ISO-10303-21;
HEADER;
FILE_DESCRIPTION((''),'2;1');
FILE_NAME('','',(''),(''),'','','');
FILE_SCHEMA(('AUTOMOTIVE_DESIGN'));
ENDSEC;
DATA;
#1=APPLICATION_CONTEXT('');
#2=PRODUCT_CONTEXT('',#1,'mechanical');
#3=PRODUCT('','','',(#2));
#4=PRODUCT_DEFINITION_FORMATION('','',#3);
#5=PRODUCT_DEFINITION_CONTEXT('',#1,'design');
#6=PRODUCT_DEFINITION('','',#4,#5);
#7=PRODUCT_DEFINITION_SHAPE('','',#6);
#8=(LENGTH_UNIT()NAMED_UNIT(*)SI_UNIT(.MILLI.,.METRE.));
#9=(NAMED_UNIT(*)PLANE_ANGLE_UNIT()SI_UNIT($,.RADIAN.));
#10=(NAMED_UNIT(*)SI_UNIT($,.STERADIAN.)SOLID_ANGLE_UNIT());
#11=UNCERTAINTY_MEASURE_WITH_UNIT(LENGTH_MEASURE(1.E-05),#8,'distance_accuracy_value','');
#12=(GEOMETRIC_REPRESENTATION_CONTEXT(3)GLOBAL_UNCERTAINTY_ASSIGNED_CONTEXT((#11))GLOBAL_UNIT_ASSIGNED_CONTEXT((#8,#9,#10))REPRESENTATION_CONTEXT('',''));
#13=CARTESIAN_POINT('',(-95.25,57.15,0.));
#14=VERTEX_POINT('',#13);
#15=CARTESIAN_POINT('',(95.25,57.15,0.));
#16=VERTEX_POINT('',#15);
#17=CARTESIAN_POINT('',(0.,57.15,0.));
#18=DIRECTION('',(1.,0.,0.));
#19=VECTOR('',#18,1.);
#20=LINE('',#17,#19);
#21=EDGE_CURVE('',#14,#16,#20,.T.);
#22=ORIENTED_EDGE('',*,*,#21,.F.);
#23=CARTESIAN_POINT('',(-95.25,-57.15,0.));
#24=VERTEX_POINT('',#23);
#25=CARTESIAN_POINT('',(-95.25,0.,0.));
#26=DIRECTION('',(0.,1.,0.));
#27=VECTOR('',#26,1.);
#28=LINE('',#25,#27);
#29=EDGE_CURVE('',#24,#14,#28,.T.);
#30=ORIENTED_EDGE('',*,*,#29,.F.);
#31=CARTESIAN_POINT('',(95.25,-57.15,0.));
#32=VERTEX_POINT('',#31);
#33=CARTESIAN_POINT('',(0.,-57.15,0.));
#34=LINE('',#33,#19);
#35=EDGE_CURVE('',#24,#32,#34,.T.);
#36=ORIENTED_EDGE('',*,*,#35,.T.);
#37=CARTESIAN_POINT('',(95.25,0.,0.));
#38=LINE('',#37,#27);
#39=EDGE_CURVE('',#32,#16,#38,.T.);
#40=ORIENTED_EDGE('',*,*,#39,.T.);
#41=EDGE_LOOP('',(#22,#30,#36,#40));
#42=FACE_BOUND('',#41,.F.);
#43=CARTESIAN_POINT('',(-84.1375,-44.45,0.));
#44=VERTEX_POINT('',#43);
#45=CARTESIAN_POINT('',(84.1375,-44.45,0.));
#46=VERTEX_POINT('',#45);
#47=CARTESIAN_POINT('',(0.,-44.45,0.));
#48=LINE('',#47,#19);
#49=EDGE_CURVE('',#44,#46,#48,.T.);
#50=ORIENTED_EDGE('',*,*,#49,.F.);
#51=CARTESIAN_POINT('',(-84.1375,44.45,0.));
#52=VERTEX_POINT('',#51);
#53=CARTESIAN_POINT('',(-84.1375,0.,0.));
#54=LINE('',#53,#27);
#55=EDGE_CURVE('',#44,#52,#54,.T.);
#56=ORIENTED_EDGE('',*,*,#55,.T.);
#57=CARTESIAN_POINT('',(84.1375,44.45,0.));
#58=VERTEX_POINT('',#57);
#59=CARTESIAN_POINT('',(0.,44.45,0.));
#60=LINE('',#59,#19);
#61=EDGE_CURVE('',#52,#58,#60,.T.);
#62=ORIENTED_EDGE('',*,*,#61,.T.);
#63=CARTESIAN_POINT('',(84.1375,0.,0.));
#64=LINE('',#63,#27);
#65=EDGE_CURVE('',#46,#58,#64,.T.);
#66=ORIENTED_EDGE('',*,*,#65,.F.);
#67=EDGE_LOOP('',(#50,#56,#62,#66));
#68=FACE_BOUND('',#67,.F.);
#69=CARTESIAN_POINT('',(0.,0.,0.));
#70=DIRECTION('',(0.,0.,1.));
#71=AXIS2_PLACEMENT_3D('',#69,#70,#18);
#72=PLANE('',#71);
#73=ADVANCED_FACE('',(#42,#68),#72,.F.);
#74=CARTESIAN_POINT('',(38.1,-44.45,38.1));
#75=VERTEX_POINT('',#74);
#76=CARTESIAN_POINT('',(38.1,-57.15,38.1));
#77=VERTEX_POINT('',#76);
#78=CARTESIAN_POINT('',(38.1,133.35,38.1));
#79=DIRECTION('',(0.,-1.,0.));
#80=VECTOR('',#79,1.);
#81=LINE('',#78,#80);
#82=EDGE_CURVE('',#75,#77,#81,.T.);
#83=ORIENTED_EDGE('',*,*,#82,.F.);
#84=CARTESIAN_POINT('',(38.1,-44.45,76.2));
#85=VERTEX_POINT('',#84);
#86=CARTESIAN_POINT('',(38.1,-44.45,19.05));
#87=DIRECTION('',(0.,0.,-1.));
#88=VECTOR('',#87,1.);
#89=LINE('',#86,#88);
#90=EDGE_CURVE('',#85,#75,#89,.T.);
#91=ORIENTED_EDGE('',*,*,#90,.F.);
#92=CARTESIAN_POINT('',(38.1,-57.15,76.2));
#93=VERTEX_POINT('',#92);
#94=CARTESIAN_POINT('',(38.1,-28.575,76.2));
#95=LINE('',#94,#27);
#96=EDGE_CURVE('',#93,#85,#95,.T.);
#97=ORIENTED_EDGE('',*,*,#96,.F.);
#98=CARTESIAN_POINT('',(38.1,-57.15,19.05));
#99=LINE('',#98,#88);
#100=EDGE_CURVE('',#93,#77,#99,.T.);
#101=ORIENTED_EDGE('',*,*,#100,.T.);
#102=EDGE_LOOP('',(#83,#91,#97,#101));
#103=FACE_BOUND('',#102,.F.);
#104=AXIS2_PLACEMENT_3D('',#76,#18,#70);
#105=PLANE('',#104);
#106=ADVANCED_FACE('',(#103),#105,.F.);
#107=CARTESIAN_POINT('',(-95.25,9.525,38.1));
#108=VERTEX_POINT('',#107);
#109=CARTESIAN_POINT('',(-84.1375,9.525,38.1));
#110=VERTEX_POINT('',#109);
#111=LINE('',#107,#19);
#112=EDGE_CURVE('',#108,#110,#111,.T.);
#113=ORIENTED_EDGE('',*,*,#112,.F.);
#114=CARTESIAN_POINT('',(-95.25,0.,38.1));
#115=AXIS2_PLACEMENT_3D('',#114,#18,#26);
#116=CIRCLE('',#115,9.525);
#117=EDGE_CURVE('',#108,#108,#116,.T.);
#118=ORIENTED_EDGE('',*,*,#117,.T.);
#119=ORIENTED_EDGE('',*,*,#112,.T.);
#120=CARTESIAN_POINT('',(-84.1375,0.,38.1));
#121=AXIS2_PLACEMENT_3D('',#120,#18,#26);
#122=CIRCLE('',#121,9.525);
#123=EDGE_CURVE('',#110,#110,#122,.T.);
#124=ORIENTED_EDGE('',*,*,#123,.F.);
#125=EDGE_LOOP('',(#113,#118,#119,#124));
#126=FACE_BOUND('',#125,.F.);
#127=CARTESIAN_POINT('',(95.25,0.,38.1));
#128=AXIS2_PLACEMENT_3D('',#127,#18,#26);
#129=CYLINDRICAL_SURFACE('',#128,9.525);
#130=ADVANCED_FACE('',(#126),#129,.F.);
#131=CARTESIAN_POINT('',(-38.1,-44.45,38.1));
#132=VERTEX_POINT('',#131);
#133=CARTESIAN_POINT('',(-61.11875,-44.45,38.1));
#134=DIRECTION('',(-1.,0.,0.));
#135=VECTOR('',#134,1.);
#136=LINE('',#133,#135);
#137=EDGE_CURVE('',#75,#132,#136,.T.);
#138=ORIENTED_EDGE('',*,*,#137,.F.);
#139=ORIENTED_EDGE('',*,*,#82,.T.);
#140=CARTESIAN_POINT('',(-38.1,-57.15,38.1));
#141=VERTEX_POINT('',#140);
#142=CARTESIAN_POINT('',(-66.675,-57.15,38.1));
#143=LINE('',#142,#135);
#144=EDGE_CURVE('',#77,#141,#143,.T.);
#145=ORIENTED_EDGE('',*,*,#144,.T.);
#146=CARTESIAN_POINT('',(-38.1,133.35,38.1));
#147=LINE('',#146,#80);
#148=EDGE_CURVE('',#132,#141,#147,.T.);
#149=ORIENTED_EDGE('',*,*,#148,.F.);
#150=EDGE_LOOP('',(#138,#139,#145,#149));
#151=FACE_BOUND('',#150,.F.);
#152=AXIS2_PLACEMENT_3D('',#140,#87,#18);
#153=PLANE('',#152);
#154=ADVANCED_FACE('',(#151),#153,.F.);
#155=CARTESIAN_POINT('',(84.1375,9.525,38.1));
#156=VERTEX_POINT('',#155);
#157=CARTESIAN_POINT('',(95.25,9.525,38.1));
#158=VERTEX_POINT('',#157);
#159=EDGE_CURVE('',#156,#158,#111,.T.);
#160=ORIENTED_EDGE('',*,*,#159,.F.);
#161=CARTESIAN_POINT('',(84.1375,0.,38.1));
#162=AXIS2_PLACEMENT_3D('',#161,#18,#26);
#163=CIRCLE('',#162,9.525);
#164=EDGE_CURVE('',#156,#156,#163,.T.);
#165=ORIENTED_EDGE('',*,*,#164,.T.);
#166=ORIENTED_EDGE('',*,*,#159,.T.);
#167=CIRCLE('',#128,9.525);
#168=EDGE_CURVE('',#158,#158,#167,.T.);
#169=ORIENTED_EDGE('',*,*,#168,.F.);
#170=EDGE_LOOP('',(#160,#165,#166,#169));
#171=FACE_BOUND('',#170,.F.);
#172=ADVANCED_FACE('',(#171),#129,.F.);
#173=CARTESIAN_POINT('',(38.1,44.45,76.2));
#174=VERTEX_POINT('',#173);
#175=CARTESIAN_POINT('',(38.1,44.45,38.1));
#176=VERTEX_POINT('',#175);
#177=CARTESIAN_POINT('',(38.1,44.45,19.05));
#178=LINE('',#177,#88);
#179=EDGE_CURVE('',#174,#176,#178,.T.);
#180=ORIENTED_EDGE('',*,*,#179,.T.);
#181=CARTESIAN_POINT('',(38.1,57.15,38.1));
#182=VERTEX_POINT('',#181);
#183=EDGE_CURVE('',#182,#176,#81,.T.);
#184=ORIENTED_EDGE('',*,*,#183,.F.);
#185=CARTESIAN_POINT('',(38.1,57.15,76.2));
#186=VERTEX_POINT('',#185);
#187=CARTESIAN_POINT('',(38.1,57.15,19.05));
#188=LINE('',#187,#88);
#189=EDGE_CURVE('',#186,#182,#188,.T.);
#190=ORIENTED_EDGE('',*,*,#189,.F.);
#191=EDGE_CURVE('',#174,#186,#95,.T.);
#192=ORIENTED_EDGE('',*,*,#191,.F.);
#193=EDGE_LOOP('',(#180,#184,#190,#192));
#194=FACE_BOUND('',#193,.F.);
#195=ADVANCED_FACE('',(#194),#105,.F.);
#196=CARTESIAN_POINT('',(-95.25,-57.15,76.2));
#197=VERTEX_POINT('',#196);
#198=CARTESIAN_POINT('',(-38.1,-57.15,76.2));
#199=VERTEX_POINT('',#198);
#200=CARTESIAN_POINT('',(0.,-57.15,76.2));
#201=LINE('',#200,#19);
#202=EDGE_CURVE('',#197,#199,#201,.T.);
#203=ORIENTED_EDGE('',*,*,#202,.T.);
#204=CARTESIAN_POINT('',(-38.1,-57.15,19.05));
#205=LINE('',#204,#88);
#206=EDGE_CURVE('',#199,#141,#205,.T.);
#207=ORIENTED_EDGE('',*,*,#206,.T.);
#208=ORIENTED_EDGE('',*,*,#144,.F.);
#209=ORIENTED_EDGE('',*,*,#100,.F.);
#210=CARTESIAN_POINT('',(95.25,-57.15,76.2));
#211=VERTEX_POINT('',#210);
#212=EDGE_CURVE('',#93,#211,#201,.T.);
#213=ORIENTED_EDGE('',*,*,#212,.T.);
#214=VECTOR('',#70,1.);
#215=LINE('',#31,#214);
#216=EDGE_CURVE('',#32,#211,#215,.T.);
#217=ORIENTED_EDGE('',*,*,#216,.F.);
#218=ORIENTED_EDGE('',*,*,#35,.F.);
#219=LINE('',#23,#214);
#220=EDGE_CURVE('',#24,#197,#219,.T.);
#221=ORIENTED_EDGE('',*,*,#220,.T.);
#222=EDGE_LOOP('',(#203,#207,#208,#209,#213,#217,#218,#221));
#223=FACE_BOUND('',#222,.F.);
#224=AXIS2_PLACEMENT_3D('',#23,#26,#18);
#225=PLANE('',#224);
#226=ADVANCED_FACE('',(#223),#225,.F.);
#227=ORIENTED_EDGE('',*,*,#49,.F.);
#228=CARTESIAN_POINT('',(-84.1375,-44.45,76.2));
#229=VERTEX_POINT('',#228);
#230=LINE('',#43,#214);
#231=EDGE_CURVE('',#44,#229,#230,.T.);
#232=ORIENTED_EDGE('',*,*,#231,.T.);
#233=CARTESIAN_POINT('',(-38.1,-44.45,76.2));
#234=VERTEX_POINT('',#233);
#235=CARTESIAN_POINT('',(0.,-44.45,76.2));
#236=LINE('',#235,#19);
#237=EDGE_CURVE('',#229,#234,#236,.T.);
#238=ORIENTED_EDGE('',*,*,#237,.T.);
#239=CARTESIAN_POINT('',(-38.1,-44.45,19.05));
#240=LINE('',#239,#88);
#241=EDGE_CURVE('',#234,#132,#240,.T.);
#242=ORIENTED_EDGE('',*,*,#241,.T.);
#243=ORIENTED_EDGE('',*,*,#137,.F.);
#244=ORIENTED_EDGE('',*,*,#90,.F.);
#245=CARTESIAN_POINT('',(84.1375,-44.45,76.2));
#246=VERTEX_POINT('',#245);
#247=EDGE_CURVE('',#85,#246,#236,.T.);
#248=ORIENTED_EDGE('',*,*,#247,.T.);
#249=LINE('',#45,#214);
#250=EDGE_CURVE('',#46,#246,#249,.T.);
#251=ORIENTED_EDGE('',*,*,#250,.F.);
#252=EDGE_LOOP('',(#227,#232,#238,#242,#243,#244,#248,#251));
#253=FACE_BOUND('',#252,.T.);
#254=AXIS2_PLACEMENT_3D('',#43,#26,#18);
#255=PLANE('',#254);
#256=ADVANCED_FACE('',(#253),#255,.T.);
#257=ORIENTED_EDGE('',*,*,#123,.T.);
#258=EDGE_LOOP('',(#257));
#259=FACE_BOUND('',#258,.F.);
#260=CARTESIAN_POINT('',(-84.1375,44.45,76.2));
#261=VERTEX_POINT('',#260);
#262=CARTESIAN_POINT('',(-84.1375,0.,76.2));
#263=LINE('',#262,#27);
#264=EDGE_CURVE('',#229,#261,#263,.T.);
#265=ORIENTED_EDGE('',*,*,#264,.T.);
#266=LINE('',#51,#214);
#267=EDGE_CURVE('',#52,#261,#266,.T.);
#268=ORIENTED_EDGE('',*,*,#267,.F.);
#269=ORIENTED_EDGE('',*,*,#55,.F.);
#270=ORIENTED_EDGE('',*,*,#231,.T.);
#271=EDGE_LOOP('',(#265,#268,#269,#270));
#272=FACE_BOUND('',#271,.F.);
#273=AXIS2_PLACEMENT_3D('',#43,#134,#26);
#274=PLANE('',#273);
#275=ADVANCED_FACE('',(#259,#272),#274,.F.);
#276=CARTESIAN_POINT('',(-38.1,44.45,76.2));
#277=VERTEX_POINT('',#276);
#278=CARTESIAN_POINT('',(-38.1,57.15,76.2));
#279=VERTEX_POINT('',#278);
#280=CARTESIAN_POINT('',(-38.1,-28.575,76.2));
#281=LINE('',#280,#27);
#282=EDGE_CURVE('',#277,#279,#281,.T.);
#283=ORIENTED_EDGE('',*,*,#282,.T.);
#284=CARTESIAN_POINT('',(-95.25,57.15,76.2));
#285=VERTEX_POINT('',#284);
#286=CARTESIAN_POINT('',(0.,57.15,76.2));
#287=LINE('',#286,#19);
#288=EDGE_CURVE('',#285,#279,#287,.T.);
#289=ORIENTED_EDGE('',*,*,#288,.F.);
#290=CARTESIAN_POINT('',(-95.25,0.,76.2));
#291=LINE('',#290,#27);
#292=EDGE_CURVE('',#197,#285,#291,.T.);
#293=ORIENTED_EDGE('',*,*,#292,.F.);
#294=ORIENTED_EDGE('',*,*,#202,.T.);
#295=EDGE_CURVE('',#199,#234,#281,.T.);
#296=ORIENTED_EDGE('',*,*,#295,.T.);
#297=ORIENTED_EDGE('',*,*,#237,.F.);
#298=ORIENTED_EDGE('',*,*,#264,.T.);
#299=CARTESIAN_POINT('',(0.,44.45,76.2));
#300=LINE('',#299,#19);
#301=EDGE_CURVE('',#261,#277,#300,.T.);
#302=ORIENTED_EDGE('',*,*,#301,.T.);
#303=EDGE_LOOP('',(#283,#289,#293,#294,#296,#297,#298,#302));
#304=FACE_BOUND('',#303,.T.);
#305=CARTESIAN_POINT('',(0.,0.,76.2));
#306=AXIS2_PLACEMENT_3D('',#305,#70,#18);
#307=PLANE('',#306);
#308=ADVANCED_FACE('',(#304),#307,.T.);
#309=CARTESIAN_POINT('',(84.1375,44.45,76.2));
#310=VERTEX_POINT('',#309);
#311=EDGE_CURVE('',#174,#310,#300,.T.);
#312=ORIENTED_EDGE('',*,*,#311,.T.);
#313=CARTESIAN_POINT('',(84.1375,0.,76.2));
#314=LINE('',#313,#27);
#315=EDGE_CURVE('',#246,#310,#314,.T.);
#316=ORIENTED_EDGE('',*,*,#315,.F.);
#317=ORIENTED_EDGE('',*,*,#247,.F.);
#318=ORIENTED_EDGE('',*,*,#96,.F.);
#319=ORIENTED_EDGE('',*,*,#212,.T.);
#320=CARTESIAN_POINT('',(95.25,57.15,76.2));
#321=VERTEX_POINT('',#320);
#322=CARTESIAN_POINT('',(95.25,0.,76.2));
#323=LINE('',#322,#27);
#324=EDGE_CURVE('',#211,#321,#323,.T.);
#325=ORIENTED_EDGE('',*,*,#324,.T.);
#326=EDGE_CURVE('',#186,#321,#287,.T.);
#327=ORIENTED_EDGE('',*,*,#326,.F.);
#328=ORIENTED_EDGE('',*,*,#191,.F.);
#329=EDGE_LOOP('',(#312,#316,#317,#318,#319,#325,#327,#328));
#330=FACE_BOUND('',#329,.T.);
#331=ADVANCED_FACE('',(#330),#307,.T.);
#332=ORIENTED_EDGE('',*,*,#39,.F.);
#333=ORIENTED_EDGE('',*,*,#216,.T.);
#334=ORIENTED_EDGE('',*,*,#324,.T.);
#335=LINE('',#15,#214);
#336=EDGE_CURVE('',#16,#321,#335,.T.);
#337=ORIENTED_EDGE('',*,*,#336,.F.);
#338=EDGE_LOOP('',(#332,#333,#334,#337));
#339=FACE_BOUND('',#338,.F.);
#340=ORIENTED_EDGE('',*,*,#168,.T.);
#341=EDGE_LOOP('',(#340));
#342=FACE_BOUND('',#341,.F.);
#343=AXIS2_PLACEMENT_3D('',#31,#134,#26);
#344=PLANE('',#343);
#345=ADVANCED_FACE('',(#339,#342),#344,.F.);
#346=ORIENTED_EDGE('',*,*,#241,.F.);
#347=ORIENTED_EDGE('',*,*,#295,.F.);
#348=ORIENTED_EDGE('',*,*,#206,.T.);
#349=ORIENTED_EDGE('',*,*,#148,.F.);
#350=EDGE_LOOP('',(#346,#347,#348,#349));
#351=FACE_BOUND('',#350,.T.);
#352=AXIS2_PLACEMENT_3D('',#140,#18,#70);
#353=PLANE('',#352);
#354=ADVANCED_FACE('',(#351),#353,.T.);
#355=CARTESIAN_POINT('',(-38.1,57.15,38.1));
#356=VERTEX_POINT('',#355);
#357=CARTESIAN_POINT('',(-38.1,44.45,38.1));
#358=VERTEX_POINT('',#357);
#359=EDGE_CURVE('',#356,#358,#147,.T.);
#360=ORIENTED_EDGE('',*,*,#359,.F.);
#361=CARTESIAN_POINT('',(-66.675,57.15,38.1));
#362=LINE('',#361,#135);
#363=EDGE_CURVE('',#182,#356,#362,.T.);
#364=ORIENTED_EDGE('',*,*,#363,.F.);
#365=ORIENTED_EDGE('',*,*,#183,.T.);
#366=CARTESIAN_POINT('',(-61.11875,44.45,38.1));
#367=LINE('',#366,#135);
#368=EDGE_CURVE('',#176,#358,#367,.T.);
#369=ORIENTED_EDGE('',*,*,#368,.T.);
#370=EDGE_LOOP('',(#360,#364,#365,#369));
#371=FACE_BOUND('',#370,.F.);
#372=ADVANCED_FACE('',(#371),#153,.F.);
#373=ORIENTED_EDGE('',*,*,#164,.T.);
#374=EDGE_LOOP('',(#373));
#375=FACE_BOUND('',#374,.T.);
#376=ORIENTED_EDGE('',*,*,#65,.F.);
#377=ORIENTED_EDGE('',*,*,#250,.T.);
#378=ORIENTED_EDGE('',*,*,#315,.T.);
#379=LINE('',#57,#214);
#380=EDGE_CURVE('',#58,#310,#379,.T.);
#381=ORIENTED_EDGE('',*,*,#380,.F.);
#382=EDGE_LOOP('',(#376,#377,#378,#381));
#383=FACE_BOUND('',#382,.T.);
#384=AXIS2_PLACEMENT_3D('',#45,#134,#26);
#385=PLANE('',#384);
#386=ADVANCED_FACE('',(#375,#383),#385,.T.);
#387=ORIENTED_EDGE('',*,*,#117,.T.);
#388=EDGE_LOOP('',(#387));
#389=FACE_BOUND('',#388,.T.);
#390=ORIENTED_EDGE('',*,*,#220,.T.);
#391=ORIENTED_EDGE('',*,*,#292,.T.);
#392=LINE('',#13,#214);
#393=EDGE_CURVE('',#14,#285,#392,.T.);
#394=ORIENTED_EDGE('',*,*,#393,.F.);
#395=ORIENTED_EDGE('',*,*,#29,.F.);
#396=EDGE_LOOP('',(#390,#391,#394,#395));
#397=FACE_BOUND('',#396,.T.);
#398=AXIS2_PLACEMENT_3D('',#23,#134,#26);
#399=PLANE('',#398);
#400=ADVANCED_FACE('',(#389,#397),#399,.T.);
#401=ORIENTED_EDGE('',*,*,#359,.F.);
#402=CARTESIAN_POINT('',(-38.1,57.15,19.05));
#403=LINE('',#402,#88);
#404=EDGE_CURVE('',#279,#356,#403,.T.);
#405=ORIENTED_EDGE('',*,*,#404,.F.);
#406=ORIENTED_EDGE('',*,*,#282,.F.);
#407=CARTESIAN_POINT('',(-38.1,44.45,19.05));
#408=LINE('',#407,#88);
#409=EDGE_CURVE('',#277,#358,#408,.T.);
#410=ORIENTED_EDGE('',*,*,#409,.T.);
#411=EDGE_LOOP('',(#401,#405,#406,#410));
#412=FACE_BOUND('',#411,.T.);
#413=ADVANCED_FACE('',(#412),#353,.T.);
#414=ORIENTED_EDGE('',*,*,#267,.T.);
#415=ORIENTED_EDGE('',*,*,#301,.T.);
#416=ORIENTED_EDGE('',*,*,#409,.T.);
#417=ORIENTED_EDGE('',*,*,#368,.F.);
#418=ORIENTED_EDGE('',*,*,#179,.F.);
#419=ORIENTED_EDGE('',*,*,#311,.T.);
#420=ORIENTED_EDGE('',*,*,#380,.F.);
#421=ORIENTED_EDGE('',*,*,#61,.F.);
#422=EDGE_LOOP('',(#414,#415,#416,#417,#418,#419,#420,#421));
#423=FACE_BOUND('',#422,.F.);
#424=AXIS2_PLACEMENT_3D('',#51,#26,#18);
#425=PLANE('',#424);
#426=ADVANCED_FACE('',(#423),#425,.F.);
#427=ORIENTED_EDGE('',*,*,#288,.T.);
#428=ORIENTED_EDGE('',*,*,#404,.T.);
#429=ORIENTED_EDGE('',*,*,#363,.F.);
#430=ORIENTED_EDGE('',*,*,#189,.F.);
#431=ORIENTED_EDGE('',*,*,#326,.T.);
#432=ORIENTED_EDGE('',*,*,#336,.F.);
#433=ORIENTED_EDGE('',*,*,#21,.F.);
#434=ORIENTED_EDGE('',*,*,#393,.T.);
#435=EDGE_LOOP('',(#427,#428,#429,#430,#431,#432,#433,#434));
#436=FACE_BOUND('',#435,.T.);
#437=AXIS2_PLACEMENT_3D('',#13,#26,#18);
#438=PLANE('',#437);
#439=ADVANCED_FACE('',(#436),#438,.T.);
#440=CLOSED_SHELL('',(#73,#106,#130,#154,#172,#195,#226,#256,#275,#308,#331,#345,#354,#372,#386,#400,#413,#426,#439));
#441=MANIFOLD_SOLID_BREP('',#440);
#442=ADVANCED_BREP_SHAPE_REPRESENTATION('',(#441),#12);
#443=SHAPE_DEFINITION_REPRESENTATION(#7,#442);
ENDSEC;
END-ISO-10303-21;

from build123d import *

# Parameters (mm, degrees)
F0_W     = 190.5
F0_H     = 114.3
F0_W_2   = 168.275
F0_H_2   = 88.9
F1_DEPTH = 76.2
F2_W     = 76.2
F2_H     = 76.2
F3_DEPTH = 190.5
F4_R     = 9.525
F5_DEPTH = 190.5


with BuildPart() as f1:
    # F0 (on Top) → F1 (new body)
    with BuildSketch(Plane.XY):
        Rectangle(F0_W, F0_H)
        Rectangle(F0_W_2, F0_H_2, mode=Mode.SUBTRACT)
    extrude(amount=F1_DEPTH)

    # F2 (on face) → F3 (cut, symmetric)
    with BuildSketch(Plane.XZ.offset(57.15)):
        with Locations((0, 76.2)):
            Rectangle(F2_W, F2_H)
    extrude(amount=F3_DEPTH, both=True, mode=Mode.SUBTRACT)

    # F4 (on face) → F5 (cut, symmetric)
    with BuildSketch(Plane.YZ.offset(95.25)):
        with Locations((0, 38.1)):
            Circle(F4_R)
    extrude(amount=F5_DEPTH, both=True, mode=Mode.SUBTRACT)


solid = f1.part
